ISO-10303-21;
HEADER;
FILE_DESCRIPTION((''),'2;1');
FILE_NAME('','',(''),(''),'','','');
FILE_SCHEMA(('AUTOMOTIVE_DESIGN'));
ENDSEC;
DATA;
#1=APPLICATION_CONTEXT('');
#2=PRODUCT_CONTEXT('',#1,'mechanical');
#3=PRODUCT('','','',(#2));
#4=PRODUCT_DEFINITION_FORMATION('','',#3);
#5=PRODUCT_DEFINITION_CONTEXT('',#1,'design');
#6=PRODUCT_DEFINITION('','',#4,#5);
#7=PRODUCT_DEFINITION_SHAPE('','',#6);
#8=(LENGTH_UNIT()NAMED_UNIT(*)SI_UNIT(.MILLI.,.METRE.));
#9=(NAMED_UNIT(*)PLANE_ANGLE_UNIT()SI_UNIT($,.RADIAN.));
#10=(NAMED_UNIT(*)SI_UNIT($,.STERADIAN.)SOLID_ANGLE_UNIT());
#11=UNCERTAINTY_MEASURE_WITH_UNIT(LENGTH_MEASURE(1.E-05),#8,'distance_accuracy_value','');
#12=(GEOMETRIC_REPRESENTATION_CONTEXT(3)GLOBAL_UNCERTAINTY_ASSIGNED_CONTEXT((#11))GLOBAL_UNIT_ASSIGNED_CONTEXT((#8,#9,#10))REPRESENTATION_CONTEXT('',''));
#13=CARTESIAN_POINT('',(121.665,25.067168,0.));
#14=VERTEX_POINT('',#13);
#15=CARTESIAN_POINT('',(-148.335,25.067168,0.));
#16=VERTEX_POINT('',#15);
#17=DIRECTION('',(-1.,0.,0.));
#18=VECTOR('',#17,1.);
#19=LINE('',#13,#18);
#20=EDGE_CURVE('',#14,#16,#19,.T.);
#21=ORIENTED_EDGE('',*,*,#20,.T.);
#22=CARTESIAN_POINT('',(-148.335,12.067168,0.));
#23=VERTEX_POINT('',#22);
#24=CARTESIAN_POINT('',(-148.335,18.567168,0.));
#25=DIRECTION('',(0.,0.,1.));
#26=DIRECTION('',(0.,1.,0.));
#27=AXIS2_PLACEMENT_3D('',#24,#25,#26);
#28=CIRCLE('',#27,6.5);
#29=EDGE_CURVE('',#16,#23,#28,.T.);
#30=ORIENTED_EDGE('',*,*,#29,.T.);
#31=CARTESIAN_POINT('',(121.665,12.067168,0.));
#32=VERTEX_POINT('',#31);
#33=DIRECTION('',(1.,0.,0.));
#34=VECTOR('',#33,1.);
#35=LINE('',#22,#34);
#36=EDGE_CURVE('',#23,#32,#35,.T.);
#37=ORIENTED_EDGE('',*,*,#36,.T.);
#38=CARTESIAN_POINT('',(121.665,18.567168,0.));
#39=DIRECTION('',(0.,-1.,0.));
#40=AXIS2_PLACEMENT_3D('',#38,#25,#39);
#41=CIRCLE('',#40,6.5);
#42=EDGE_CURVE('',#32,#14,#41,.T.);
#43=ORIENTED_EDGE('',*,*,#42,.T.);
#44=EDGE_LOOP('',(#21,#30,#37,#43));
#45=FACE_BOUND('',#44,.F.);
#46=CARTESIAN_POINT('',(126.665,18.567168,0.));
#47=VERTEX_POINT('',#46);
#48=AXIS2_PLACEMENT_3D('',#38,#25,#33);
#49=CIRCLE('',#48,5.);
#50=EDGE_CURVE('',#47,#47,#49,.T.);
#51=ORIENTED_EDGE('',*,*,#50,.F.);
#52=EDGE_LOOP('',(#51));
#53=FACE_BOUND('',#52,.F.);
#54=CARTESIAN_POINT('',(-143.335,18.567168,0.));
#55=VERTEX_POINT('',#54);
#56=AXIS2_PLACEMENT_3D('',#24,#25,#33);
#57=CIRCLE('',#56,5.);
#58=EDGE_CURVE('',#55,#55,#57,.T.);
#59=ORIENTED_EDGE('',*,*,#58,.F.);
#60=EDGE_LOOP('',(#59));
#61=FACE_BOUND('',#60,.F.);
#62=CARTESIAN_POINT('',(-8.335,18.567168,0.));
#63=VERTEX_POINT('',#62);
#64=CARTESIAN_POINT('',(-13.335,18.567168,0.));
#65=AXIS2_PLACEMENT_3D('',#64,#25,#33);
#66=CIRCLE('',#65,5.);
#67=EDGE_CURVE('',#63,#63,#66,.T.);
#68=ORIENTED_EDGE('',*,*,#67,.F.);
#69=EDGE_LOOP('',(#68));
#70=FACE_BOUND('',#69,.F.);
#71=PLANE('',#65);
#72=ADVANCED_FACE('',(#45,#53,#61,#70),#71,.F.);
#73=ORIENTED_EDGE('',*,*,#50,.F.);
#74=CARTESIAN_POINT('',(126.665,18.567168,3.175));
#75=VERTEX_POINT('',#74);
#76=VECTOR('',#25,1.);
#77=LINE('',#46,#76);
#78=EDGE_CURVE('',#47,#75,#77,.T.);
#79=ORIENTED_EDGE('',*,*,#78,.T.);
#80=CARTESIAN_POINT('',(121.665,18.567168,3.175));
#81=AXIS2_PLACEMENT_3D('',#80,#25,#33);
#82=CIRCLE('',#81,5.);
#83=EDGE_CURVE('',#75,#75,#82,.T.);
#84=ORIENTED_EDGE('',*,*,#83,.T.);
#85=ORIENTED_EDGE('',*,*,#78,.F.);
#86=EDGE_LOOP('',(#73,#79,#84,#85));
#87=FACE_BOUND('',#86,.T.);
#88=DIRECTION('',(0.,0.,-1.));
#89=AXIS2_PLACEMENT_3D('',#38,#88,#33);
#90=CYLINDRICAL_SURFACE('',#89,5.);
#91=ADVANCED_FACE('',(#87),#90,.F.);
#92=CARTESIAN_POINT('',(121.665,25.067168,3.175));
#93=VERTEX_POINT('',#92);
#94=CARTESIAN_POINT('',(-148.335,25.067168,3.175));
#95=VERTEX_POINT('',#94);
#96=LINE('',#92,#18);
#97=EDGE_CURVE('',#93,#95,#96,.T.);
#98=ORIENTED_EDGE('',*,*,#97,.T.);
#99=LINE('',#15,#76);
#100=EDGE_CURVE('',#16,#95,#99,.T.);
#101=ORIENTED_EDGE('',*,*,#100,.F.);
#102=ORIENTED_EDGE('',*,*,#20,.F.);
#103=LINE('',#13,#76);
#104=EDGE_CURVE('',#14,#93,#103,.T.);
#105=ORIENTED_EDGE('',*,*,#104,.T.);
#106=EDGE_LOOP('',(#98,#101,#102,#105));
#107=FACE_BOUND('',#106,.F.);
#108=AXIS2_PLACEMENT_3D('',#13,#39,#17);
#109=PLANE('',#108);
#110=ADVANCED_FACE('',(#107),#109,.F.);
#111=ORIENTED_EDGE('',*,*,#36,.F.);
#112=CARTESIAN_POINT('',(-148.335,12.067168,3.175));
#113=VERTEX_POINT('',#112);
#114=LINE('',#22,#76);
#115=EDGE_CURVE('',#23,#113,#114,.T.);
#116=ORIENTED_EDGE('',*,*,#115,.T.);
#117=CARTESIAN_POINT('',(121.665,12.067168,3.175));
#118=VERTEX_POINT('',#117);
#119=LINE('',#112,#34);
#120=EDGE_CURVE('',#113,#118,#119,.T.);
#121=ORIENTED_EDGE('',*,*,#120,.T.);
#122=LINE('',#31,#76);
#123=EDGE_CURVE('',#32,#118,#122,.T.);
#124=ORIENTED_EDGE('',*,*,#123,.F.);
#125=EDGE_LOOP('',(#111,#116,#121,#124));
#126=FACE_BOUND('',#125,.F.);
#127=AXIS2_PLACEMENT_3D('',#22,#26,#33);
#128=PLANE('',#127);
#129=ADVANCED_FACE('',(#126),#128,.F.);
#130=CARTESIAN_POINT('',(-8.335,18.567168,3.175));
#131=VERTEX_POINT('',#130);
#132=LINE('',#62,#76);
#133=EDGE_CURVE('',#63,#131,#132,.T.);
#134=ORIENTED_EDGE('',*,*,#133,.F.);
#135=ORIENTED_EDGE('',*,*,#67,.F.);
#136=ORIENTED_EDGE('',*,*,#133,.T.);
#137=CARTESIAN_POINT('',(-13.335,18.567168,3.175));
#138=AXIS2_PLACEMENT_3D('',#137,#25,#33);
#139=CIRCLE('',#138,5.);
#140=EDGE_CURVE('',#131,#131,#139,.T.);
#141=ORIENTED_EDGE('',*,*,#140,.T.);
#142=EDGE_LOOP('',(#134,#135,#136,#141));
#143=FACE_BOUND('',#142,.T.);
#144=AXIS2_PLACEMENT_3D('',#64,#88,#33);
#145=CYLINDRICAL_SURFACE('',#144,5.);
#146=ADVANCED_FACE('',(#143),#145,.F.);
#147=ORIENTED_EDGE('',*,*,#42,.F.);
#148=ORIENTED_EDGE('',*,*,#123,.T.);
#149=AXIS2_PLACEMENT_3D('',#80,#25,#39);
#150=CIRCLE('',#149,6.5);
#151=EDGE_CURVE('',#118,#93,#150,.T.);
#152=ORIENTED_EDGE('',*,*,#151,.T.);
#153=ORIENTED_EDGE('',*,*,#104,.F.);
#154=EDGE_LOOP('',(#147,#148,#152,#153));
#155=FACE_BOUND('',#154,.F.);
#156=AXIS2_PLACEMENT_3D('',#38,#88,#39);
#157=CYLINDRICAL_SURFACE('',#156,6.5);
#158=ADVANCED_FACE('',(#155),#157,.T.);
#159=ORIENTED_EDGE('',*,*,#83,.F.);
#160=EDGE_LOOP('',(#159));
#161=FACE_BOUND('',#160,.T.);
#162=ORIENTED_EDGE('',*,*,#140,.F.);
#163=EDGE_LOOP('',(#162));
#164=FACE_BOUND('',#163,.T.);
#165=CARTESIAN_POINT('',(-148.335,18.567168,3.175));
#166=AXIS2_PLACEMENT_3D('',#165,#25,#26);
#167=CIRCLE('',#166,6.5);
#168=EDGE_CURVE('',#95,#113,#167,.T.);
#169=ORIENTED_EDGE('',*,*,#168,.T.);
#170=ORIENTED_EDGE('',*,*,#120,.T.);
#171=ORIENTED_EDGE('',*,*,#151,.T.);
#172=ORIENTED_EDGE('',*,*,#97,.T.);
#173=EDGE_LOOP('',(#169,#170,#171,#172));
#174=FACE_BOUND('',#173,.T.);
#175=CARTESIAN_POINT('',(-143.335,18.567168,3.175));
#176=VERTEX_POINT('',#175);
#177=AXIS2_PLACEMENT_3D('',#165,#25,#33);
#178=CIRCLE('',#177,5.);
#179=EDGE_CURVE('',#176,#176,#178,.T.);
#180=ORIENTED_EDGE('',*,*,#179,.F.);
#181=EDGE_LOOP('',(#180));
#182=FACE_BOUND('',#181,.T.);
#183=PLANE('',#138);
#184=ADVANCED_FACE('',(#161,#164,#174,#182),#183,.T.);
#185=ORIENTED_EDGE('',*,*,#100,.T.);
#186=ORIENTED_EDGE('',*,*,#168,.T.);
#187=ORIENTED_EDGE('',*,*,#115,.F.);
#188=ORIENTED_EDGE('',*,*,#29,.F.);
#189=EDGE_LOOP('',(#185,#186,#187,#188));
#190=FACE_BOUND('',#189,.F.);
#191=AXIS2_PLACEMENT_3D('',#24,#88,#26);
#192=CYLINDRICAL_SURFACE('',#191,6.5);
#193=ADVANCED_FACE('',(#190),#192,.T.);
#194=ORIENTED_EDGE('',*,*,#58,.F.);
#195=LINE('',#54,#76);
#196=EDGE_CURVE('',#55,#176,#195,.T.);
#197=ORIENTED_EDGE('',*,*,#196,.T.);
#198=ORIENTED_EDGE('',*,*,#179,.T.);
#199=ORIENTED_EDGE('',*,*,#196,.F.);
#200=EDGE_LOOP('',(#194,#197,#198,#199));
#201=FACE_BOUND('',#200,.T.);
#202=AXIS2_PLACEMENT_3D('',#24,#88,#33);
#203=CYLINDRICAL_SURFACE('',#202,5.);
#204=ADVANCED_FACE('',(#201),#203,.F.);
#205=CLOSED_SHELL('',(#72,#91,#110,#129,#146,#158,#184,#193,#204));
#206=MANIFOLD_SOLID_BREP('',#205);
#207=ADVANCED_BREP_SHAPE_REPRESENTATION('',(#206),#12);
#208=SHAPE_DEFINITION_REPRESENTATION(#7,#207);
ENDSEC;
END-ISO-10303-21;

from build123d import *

# Parameters (mm, degrees)
F0_R     = 5
F1_DEPTH = 3.175


with BuildPart() as f1:
    # F0 (on Top) → F1 (new body)
    with BuildSketch(Plane.XY):
        with BuildLine():
            Line((-80.835, 25.067168), (-148.335, 25.067168))
            ThreePointArc((-148.335, 25.067168), (-154.835, 18.567168), (-148.335, 12.067168))
            Line((-148.335, 12.067168), (-80.835, 12.067168))
            Line((-80.835, 12.067168), (-13.335, 12.067168))
            Line((-13.335, 12.067168), (54.165, 12.067168))
            Line((54.165, 12.067168), (121.665, 12.067168))
            ThreePointArc((121.665, 12.067168), (128.165, 18.567168), (121.665, 25.067168))
            Line((121.665, 25.067168), (54.165, 25.067168))
            Line((54.165, 25.067168), (-13.335, 25.067168))
            Line((-13.335, 25.067168), (-80.835, 25.067168))
        make_face()
        with Locations((-148.335, 18.567168)):
            Circle(F0_R, mode=Mode.SUBTRACT)
        with Locations((-13.335, 18.567168)):
            Circle(F0_R, mode=Mode.SUBTRACT)
        with Locations((121.665, 18.567168)):
            Circle(F0_R, mode=Mode.SUBTRACT)
    extrude(amount=F1_DEPTH)


solid = f1.part
